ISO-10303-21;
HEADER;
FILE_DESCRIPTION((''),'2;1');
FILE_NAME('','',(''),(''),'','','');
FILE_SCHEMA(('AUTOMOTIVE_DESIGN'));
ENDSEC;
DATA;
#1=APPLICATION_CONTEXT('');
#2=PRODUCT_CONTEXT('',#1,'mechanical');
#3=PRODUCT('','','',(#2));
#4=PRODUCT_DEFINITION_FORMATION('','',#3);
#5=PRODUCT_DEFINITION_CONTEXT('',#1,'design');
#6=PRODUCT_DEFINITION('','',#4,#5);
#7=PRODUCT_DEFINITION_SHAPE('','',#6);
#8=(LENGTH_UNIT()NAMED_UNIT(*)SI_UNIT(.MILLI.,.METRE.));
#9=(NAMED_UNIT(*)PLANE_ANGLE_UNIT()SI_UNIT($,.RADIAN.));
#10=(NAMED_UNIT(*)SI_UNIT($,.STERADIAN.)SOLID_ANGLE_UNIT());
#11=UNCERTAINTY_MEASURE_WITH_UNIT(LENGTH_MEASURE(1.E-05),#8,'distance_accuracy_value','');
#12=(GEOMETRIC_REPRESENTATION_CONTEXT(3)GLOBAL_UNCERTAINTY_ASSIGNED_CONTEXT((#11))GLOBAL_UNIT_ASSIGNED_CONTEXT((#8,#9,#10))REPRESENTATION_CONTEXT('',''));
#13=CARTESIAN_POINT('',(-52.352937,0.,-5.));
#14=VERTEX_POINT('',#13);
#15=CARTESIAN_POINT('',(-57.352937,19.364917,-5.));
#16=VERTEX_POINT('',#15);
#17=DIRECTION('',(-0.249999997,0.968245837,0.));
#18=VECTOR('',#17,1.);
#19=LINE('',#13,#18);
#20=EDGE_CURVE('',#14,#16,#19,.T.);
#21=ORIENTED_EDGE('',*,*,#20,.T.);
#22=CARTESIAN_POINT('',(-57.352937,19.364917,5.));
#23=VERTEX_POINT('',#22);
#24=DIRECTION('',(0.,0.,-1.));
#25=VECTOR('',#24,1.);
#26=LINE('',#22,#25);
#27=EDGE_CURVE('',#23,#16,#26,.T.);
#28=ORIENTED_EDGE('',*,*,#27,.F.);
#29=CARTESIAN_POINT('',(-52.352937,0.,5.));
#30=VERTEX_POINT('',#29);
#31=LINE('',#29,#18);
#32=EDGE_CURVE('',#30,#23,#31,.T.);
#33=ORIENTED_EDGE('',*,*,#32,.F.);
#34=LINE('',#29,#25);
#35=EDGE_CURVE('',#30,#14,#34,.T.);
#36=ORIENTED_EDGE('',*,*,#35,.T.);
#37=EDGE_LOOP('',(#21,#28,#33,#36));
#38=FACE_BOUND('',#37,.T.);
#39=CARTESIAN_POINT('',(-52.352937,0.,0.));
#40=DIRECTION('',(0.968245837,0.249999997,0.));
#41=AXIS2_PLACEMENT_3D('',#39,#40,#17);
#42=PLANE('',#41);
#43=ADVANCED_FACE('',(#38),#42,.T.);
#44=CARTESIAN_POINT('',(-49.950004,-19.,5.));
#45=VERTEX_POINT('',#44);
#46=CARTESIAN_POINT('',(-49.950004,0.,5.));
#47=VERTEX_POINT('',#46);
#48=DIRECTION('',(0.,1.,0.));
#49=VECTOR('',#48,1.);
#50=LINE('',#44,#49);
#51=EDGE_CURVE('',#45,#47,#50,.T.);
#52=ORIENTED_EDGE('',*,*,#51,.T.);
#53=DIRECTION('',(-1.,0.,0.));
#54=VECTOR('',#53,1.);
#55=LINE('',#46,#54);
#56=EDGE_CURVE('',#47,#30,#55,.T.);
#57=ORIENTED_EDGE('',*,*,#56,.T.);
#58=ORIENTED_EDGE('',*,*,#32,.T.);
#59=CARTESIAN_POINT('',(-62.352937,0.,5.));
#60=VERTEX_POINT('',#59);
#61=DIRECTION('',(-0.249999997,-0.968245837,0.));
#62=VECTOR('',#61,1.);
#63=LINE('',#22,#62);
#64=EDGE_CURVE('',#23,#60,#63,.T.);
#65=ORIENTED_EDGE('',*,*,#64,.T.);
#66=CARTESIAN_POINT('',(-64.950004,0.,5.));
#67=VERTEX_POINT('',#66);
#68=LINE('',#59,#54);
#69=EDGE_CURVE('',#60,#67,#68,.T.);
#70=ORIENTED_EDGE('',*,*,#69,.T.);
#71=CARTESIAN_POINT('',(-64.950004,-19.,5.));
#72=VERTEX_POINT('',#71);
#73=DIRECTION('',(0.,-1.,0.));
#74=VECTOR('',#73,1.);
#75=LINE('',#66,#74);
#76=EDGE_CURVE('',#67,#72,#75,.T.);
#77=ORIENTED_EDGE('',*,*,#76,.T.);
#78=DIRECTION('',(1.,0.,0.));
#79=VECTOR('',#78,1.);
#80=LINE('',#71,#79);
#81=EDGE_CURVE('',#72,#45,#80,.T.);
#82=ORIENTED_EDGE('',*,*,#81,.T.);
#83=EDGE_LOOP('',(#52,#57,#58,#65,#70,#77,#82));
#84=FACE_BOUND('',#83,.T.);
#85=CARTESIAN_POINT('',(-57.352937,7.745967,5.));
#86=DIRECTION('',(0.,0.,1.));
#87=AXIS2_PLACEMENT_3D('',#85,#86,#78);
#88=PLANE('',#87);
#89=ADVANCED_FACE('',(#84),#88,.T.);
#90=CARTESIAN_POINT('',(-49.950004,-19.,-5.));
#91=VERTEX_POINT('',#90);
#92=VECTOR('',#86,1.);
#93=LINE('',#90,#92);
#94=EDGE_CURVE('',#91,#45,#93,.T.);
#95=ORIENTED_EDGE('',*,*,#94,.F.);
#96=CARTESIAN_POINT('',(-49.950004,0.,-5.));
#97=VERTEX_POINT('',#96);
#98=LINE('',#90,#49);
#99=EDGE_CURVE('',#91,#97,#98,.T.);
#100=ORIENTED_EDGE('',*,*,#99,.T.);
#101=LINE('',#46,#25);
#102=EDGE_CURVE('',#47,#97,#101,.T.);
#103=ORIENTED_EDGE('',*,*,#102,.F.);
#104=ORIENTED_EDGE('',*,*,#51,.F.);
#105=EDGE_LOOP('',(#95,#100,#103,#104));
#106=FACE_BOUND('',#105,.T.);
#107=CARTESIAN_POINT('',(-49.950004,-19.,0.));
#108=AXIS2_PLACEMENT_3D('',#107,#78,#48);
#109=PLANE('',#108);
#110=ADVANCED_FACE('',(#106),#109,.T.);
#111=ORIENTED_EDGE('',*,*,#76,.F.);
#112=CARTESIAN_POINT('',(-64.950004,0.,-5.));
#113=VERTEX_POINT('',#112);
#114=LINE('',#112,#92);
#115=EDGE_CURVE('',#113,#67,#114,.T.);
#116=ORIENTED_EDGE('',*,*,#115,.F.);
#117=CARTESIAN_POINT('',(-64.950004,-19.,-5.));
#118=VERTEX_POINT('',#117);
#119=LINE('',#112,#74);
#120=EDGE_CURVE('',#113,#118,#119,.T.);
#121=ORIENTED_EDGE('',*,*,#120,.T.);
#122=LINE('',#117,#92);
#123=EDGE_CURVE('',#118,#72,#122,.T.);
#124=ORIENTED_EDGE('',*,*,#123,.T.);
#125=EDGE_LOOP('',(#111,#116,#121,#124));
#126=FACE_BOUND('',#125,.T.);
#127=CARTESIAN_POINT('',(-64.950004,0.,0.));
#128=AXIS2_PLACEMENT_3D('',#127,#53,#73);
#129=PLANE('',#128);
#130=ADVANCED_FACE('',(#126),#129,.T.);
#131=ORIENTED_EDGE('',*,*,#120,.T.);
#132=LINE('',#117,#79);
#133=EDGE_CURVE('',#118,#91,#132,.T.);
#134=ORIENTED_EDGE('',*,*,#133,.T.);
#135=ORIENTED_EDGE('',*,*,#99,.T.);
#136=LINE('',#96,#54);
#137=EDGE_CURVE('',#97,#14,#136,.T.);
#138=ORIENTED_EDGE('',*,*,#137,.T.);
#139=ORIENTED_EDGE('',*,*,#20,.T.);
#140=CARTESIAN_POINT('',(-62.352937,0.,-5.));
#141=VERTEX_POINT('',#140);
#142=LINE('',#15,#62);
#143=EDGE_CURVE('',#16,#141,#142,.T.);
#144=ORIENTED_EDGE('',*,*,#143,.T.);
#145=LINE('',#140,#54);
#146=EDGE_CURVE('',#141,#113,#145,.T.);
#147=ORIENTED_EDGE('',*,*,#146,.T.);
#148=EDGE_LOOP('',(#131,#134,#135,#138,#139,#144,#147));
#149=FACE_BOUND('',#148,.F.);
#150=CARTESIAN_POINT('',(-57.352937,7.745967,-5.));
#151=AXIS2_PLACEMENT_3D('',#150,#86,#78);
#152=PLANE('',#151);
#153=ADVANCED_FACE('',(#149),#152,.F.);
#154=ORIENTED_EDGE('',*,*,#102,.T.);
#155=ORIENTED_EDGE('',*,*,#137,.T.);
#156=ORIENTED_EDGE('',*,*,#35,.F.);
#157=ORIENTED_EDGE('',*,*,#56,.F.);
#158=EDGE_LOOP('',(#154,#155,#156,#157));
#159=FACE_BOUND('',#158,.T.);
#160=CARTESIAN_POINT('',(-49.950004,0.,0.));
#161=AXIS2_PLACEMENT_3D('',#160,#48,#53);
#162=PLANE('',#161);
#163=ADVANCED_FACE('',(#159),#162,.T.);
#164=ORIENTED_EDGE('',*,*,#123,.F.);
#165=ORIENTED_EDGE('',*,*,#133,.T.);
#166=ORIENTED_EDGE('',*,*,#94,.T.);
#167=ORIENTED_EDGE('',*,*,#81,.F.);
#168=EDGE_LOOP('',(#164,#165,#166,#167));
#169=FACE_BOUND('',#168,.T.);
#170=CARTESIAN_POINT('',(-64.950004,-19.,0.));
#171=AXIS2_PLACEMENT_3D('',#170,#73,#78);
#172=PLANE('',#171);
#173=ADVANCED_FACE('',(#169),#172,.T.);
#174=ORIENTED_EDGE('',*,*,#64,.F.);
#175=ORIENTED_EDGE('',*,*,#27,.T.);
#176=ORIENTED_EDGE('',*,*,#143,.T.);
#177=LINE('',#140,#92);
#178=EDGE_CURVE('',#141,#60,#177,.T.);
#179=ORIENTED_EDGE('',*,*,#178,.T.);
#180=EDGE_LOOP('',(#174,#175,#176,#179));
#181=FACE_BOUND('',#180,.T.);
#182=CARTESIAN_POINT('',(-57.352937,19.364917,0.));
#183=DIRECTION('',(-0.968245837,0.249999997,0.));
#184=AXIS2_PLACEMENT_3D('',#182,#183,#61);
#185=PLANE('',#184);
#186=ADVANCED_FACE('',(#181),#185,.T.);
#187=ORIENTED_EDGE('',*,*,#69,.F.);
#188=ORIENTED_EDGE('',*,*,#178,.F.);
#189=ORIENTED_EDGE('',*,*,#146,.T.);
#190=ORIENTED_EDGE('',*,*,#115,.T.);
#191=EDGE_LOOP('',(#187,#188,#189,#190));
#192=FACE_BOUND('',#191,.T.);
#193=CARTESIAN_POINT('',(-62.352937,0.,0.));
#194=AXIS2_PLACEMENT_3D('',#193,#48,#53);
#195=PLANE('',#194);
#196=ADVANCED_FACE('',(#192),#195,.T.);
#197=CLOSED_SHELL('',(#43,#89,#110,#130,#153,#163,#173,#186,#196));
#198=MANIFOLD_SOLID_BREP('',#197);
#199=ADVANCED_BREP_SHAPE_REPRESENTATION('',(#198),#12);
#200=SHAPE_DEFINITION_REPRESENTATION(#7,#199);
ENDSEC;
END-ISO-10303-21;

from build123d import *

# Parameters (mm, degrees)
F1_DEPTH = 5


with BuildPart() as f1:
    # F0 (on Top) → F1 (new body, symmetric)
    with BuildSketch(Plane.XY):
        Polygon((-57.352937, 19.364917), (-62.352937, 0), (-52.352937, 0), align=None)
        Polygon((-52.352937, 0), (-62.352937, 0), (-64.950004, 0), (-64.950004, -19), (-49.950004, -19), (-49.950004, 0), align=None)
    extrude(amount=F1_DEPTH, both=True)


solid = f1.part
